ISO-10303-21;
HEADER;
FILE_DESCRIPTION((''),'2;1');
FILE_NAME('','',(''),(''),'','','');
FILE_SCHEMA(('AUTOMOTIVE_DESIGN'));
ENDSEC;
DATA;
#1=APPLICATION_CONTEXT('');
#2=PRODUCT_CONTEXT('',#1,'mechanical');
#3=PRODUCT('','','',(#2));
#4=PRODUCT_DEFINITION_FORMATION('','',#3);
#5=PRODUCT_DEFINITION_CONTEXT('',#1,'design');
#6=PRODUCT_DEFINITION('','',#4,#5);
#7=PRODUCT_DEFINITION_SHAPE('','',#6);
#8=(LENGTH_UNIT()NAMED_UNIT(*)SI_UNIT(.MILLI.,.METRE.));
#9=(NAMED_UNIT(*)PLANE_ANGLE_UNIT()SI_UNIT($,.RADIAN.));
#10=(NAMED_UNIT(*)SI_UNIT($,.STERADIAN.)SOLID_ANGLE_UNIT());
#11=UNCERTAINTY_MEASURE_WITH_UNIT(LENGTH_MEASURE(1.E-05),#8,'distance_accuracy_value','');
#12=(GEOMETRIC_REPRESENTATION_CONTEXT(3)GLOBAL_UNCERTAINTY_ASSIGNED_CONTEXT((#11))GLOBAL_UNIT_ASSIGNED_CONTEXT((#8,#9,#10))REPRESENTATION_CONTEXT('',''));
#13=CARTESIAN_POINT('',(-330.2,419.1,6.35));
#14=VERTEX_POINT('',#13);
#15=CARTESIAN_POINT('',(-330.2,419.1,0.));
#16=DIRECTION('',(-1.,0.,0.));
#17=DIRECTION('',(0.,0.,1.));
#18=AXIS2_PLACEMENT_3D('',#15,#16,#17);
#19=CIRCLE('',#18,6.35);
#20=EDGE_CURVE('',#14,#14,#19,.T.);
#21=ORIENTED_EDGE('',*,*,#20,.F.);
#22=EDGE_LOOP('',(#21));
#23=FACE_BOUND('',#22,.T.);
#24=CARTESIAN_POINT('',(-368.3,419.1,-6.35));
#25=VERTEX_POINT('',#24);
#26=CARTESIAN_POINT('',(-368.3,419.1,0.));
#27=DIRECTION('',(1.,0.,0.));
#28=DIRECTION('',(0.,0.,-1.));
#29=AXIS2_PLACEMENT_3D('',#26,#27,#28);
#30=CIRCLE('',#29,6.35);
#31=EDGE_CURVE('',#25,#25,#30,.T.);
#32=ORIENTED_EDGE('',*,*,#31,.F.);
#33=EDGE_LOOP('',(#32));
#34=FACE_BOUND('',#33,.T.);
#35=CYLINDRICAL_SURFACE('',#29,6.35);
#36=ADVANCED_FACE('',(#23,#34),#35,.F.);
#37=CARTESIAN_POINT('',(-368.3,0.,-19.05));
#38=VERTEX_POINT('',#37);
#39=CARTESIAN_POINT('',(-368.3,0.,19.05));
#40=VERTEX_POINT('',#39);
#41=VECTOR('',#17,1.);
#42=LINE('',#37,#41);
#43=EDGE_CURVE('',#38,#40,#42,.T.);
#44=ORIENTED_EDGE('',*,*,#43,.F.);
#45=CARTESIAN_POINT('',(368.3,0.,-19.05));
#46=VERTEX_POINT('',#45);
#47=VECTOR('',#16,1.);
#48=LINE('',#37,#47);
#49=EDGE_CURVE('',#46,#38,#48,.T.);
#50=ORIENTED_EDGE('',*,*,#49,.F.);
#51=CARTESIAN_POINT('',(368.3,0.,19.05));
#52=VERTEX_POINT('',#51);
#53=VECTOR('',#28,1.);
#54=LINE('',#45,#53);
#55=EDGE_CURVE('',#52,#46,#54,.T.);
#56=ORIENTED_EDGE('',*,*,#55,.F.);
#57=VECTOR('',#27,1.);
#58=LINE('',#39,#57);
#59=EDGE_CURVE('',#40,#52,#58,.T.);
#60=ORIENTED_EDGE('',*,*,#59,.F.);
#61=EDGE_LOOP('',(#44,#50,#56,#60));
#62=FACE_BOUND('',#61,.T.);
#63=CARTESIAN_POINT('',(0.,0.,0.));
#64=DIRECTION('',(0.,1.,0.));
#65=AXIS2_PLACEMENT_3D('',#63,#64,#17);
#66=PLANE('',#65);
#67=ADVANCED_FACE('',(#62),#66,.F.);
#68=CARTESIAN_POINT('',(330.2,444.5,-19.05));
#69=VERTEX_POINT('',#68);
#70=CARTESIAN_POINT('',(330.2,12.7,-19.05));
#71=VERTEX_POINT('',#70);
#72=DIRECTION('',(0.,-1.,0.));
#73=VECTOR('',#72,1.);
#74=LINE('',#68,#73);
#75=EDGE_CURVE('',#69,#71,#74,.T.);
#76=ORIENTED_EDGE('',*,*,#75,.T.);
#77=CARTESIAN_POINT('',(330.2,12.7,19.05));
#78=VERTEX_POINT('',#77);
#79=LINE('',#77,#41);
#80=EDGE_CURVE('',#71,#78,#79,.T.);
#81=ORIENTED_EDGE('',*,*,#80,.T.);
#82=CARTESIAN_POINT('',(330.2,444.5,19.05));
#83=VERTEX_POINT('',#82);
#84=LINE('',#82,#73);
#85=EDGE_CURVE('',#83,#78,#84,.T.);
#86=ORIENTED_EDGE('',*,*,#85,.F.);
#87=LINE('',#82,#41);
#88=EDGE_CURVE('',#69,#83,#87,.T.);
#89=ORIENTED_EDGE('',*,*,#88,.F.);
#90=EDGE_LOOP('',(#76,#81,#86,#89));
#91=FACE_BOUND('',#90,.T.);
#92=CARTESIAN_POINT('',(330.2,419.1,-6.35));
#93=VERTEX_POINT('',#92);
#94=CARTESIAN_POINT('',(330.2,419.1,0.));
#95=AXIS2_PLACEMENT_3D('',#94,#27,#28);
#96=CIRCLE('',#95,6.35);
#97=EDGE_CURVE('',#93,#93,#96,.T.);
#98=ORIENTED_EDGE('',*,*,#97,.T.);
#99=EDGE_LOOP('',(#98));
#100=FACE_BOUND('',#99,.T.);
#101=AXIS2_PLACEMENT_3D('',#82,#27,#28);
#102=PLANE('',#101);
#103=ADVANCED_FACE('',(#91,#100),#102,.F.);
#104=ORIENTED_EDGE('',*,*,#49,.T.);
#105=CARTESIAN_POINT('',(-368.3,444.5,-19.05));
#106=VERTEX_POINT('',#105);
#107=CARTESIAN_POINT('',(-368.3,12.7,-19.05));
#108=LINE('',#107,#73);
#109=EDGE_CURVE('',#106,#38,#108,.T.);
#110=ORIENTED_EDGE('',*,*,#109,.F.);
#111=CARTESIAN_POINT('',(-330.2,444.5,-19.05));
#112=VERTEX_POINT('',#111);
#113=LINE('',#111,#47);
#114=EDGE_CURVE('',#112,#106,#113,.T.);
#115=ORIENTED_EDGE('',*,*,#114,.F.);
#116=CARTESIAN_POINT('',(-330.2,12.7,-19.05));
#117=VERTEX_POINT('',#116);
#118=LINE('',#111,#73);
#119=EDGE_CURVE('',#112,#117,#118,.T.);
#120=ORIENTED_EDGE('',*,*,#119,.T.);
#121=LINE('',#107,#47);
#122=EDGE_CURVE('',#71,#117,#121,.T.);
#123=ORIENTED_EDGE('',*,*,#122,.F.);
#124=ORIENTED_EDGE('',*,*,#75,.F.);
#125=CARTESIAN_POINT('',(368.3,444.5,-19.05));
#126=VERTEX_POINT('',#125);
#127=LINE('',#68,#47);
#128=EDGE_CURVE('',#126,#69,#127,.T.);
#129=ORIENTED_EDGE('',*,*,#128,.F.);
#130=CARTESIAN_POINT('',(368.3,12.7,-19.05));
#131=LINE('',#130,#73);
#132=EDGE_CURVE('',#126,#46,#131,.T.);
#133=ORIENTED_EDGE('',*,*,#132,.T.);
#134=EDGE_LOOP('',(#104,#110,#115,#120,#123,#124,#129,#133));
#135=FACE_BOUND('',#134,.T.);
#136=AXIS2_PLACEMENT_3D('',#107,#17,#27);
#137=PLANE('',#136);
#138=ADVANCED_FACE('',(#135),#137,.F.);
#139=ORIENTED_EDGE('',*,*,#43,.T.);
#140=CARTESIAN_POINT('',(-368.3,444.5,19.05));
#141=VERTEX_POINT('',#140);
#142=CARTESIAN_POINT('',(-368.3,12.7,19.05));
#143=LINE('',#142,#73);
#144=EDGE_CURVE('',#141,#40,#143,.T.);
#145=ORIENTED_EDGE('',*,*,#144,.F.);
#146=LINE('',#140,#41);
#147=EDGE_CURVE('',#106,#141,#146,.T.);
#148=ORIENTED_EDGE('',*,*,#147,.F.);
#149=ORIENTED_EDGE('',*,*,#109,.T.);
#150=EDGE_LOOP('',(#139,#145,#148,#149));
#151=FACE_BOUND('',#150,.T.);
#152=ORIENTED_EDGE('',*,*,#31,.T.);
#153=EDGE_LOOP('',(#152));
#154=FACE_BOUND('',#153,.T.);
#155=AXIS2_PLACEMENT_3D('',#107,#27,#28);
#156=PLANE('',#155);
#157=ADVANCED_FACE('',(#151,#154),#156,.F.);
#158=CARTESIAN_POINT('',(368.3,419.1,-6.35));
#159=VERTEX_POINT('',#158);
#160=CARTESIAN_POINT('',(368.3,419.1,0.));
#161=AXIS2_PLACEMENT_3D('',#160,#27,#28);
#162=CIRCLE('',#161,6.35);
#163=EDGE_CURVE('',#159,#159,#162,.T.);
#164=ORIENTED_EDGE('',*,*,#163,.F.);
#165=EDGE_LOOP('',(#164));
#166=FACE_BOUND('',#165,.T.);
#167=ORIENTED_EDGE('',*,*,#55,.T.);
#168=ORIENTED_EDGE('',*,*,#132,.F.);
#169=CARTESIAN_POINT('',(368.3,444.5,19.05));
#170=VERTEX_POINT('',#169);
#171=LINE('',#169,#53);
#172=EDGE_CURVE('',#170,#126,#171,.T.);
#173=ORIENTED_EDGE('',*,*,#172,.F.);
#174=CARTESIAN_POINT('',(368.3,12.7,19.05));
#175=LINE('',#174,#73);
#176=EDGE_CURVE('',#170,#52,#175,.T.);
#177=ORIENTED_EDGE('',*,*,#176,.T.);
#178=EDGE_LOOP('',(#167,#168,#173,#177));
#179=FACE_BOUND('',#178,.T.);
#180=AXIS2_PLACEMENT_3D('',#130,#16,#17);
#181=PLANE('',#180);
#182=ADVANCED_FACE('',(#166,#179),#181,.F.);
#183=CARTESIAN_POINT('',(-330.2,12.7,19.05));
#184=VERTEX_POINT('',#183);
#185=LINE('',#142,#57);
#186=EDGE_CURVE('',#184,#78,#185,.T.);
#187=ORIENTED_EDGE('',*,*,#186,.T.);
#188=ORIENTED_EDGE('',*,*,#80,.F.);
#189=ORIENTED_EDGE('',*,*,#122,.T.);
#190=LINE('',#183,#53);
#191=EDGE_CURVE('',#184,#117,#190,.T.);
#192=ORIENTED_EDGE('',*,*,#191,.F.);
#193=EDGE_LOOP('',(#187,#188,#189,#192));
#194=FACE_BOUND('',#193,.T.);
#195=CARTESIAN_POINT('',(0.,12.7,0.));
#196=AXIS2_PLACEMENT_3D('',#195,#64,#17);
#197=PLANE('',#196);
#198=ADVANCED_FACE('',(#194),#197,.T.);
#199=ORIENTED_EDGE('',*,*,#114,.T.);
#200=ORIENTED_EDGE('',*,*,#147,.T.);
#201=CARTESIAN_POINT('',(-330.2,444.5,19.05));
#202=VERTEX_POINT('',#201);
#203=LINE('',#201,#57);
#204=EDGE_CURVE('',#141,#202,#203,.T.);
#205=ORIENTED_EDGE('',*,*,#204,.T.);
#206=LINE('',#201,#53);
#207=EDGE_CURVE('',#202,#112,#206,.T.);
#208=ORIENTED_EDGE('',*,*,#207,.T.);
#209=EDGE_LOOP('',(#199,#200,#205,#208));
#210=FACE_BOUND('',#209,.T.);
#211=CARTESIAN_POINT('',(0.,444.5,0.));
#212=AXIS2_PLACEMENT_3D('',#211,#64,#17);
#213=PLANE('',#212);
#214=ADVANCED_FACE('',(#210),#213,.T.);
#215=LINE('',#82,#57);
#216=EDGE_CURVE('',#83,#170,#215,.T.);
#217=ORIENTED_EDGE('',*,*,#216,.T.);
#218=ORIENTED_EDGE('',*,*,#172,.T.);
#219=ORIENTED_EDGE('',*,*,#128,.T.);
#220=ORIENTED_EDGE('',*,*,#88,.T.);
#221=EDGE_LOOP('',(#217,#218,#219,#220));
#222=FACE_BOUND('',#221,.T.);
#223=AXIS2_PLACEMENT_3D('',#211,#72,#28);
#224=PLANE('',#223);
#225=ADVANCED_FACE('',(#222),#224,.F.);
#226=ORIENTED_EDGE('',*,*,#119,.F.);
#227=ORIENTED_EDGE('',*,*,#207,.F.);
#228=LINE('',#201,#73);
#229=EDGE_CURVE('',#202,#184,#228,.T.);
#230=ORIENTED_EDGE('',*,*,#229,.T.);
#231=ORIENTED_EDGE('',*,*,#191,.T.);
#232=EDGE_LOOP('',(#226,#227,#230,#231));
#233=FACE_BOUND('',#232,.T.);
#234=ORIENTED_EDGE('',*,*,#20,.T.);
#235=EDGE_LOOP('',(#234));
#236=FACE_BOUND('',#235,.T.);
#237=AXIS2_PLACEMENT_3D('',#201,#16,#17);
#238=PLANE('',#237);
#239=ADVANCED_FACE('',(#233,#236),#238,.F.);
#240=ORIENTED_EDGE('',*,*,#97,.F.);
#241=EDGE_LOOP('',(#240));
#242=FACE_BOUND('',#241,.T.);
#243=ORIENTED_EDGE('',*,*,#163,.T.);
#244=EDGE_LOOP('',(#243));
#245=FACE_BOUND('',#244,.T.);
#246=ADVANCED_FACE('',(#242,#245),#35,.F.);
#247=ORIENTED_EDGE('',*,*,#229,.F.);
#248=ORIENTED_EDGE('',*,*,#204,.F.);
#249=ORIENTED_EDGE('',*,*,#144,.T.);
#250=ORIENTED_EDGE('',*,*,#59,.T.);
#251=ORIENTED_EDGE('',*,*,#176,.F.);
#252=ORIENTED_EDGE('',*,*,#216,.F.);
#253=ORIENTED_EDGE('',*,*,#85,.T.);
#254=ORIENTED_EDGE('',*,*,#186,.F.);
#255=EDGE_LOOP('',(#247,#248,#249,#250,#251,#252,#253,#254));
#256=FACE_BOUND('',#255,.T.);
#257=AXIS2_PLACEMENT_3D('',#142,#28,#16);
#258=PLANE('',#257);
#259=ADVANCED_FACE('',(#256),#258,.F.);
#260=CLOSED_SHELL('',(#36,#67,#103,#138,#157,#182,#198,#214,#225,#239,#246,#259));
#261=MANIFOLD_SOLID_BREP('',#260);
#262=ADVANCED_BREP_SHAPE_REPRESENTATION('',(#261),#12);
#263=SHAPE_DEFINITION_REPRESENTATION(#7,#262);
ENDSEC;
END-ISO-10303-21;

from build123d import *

# Parameters (mm, degrees)
SKETCH2_W           = 736.6
SKETCH2_H           = 38.1
BOSS_EXTRUDE1_DEPTH = 12.7
SKETCH3_W           = 38.1
SKETCH3_H           = 38.1
BOSS_EXTRUDE2_DEPTH = 431.8
SKETCH4_R           = 6.35
CUT_EXTRUDE1_DEPTH  = 737.6


with BuildPart() as part:
    # Sketch2 → Boss-Extrude1 (new body)
    with BuildSketch(Plane(origin=(0, 0, 0), x_dir=(1, 0, 0), z_dir=(0, 1, 0))):
        Rectangle(SKETCH2_W, SKETCH2_H)
    extrude(amount=BOSS_EXTRUDE1_DEPTH)

    # Sketch3 → Boss-Extrude2 (add)
    with BuildSketch(Plane(origin=(0, 12.7, 0), x_dir=(1, 0, 0), z_dir=(0, 1, 0))):
        with Locations((-349.25, 0)):
            Rectangle(SKETCH3_W, SKETCH3_H)
        with Locations((349.25, 0)):
            Rectangle(SKETCH3_W, SKETCH3_H)
    extrude(amount=BOSS_EXTRUDE2_DEPTH)

    # Sketch4 → Cut-Extrude1 (cut, through all)
    with BuildSketch(Plane(origin=(368.3, 0, 0), x_dir=(0, 0, -1), z_dir=(1, 0, 0))):
        with Locations((0, 419.1)):
            Circle(SKETCH4_R)
    extrude(amount=-CUT_EXTRUDE1_DEPTH, mode=Mode.SUBTRACT)


solid = part.part
